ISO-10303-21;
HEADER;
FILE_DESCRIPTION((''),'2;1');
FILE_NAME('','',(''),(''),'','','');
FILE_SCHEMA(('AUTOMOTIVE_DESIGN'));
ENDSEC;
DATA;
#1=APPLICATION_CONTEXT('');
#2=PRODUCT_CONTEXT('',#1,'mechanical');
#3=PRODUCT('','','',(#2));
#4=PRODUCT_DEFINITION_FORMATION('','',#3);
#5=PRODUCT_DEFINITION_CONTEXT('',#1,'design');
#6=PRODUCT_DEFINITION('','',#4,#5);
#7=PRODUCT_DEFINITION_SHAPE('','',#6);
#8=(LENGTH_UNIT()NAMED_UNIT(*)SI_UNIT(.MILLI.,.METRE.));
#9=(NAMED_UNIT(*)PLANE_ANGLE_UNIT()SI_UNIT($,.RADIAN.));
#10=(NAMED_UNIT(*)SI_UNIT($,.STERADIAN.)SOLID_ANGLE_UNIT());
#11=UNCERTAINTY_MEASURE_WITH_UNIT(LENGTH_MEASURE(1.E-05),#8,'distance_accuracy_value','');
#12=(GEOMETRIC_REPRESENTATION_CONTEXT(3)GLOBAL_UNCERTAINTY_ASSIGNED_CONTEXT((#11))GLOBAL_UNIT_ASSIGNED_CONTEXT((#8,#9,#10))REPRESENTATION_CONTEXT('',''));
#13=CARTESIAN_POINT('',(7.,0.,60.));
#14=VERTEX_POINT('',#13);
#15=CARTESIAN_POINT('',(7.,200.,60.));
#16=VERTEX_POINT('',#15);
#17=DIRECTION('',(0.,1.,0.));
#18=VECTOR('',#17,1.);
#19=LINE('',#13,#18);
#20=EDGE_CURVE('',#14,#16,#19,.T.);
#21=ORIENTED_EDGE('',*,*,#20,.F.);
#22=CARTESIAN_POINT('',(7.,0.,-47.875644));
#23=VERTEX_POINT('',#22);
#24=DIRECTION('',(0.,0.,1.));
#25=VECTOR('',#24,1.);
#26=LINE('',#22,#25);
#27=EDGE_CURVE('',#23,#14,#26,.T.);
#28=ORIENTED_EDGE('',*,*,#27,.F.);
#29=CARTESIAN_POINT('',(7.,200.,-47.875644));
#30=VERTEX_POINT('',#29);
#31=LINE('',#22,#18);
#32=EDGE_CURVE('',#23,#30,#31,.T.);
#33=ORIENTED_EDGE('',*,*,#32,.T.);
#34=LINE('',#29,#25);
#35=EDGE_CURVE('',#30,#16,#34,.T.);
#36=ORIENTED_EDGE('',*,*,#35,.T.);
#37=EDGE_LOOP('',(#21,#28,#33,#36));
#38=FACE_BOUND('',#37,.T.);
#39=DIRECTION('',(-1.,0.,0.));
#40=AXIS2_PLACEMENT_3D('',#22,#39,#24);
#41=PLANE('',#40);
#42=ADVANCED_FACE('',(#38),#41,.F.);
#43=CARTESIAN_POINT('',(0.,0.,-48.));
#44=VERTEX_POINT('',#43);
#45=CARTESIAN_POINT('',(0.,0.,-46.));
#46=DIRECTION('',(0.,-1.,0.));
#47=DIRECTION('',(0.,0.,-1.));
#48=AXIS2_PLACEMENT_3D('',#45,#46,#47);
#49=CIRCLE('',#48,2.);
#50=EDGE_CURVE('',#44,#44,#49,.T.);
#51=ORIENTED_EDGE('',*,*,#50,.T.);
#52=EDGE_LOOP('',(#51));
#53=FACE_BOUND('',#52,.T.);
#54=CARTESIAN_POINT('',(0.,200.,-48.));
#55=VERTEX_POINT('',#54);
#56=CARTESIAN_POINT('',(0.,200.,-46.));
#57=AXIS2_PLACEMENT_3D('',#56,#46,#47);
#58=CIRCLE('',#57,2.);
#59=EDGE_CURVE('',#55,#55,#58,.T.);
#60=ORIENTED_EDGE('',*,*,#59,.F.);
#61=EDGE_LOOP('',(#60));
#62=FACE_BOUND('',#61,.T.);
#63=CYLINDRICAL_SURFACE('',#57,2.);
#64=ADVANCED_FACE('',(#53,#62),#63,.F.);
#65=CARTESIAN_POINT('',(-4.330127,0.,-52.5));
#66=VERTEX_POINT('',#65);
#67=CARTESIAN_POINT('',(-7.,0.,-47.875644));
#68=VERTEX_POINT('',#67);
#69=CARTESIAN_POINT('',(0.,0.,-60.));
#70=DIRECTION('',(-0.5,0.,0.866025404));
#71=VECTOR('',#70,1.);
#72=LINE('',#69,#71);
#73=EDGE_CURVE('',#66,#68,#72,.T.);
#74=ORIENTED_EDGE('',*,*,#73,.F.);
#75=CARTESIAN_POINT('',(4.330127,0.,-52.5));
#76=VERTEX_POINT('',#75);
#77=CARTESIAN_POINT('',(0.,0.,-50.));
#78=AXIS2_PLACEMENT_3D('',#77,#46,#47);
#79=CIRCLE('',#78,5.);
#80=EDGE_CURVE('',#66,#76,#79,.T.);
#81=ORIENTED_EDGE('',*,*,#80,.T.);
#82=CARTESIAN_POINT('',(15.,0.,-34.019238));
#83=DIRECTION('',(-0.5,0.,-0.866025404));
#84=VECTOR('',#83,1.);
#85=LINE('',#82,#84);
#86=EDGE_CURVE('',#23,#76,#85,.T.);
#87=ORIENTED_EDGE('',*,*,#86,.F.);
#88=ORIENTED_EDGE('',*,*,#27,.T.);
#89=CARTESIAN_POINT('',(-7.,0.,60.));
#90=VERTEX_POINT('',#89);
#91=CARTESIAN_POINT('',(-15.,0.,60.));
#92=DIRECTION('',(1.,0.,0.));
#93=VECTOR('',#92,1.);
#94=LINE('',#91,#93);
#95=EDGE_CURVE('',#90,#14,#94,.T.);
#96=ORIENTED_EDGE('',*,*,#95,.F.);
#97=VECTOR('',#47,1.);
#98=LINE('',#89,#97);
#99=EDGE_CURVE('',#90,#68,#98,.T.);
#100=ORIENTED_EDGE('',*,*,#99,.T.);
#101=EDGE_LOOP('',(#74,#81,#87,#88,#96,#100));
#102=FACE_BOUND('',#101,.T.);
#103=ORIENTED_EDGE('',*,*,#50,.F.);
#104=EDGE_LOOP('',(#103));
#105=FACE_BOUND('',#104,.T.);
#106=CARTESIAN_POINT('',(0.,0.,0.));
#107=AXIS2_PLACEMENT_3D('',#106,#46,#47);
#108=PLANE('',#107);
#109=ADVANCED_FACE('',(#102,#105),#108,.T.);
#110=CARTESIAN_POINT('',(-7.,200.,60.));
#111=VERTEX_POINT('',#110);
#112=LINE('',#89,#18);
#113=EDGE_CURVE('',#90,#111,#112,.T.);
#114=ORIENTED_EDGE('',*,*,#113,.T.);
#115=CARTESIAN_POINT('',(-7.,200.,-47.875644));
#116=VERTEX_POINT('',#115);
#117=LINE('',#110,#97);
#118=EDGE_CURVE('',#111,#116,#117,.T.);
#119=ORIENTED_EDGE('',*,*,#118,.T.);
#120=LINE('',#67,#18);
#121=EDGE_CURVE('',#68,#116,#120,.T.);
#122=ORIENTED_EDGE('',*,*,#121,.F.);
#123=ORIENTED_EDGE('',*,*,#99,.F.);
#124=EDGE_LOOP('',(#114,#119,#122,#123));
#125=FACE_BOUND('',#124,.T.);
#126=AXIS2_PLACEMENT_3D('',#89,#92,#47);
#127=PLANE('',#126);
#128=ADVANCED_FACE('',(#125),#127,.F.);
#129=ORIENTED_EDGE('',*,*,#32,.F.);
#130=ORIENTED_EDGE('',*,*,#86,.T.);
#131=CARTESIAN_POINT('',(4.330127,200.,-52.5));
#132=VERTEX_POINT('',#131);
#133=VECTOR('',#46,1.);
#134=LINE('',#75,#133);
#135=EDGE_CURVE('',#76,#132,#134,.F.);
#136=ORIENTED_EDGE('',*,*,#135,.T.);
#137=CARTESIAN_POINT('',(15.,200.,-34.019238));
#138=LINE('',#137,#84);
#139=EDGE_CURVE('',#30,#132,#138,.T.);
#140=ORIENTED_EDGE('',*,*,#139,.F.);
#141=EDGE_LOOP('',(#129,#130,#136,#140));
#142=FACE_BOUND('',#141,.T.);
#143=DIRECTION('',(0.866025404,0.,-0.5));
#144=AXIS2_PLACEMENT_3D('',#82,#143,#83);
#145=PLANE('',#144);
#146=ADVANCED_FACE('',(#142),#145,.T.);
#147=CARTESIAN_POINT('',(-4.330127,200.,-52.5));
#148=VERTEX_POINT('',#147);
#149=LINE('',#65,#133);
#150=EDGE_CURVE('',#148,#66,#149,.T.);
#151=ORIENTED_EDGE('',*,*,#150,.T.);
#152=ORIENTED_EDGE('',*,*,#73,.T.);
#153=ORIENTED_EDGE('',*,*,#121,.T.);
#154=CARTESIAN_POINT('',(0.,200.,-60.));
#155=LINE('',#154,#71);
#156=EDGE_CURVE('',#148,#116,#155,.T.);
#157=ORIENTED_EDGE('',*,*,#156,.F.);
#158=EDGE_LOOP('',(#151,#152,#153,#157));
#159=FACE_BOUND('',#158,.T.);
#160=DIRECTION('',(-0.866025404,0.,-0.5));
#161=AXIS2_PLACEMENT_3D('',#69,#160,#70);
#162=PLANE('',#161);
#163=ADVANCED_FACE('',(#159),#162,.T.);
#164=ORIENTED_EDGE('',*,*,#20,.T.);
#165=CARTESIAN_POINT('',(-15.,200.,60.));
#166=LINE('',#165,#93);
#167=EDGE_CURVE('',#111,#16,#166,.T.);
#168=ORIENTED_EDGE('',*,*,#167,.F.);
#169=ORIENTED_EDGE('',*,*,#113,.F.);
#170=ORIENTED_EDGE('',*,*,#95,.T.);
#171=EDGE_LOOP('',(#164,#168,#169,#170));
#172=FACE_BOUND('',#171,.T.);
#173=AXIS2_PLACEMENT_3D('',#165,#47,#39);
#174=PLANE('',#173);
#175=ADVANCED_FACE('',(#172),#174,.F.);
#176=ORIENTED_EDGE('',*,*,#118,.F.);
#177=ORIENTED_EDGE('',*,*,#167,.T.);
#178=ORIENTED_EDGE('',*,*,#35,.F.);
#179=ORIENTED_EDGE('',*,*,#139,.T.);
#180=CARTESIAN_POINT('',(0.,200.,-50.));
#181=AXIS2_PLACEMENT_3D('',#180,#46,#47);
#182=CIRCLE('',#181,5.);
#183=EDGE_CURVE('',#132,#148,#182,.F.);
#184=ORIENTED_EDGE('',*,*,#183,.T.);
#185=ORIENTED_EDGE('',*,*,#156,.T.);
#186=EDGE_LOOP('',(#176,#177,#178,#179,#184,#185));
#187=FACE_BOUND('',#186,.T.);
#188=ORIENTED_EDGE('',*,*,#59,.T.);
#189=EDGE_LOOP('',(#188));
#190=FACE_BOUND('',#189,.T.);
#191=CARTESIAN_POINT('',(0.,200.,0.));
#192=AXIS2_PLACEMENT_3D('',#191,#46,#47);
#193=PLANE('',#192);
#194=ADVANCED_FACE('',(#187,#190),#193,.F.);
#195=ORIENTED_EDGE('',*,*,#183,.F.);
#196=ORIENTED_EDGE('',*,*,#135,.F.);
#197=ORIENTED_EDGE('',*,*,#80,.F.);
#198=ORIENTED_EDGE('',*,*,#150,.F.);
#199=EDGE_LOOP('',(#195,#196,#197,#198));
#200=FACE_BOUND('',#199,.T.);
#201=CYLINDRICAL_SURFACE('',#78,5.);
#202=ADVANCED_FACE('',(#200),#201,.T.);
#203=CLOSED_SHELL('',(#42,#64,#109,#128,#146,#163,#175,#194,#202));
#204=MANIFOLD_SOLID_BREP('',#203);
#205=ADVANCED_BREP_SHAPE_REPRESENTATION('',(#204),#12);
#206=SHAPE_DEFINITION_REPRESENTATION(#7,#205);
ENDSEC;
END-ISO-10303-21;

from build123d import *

# Parameters (mm, degrees)
SKETCH1_W           = 30
SKETCH1_H           = 120
BOSS_EXTRUDE1_DEPTH = 200
SKETCH2_OUTSIDE_W   = 79.032
SKETCH2_OUTSIDE_H   = 169.032
CUT_EXTRUDE2_DEPTH  = 210.344214155
FILLET1_R           = 5
CUT_EXTRUDE3_DEPTH  = 210.344214155
SKETCH4_R           = 2
CUT_EXTRUDE4_DEPTH  = 209.92343095


with BuildPart() as part:
    # Sketch1 → Boss-Extrude1 (new body)
    with BuildSketch(Plane(origin=(0, 0, 0), x_dir=(1, 0, 0), z_dir=(0, 1, 0))):
        Rectangle(SKETCH1_W, SKETCH1_H)
    extrude(amount=BOSS_EXTRUDE1_DEPTH)

    # Sketch2 outside → Cut-Extrude2 (cut, through all)
    with BuildSketch(Plane(origin=(0, 200, 0), x_dir=(1, 0, 0), z_dir=(0, 1, 0))):
        Rectangle(SKETCH2_OUTSIDE_W, SKETCH2_OUTSIDE_H)
        Polygon((0, 60), (-15, 34.019237886), (-15, -60), (15, -60), (15, 34.019237886), align=None, mode=Mode.SUBTRACT)
    extrude(amount=-CUT_EXTRUDE2_DEPTH, mode=Mode.SUBTRACT)

    # Fillet1
    fillet1_edges = [part.edges().sort_by_distance(p)[0] for p in [
        (0, 100, -60),
    ]]
    fillet(fillet1_edges, radius=FILLET1_R)

    # Sketch3 → Cut-Extrude3 (cut, through all)
    with BuildSketch(Plane(origin=(0, 200, 0), x_dir=(1, 0, 0), z_dir=(0, 1, 0))):
        Polygon((-15, 34.019237886), (-15, -60), (-7, -60), (-7, 47.875644347), align=None)
        Polygon((7, 47.875644347), (7, -60), (15, -60), (15, 34.019237886), align=None)
    extrude(amount=-CUT_EXTRUDE3_DEPTH, mode=Mode.SUBTRACT)

    # Sketch4 → Cut-Extrude4 (cut, through all)
    with BuildSketch(Plane.XZ):
        with Locations(Location((0, -46, 0), (0, 0, 270))):
            Circle(SKETCH4_R)
    extrude(amount=-CUT_EXTRUDE4_DEPTH, mode=Mode.SUBTRACT)


solid = part.part
